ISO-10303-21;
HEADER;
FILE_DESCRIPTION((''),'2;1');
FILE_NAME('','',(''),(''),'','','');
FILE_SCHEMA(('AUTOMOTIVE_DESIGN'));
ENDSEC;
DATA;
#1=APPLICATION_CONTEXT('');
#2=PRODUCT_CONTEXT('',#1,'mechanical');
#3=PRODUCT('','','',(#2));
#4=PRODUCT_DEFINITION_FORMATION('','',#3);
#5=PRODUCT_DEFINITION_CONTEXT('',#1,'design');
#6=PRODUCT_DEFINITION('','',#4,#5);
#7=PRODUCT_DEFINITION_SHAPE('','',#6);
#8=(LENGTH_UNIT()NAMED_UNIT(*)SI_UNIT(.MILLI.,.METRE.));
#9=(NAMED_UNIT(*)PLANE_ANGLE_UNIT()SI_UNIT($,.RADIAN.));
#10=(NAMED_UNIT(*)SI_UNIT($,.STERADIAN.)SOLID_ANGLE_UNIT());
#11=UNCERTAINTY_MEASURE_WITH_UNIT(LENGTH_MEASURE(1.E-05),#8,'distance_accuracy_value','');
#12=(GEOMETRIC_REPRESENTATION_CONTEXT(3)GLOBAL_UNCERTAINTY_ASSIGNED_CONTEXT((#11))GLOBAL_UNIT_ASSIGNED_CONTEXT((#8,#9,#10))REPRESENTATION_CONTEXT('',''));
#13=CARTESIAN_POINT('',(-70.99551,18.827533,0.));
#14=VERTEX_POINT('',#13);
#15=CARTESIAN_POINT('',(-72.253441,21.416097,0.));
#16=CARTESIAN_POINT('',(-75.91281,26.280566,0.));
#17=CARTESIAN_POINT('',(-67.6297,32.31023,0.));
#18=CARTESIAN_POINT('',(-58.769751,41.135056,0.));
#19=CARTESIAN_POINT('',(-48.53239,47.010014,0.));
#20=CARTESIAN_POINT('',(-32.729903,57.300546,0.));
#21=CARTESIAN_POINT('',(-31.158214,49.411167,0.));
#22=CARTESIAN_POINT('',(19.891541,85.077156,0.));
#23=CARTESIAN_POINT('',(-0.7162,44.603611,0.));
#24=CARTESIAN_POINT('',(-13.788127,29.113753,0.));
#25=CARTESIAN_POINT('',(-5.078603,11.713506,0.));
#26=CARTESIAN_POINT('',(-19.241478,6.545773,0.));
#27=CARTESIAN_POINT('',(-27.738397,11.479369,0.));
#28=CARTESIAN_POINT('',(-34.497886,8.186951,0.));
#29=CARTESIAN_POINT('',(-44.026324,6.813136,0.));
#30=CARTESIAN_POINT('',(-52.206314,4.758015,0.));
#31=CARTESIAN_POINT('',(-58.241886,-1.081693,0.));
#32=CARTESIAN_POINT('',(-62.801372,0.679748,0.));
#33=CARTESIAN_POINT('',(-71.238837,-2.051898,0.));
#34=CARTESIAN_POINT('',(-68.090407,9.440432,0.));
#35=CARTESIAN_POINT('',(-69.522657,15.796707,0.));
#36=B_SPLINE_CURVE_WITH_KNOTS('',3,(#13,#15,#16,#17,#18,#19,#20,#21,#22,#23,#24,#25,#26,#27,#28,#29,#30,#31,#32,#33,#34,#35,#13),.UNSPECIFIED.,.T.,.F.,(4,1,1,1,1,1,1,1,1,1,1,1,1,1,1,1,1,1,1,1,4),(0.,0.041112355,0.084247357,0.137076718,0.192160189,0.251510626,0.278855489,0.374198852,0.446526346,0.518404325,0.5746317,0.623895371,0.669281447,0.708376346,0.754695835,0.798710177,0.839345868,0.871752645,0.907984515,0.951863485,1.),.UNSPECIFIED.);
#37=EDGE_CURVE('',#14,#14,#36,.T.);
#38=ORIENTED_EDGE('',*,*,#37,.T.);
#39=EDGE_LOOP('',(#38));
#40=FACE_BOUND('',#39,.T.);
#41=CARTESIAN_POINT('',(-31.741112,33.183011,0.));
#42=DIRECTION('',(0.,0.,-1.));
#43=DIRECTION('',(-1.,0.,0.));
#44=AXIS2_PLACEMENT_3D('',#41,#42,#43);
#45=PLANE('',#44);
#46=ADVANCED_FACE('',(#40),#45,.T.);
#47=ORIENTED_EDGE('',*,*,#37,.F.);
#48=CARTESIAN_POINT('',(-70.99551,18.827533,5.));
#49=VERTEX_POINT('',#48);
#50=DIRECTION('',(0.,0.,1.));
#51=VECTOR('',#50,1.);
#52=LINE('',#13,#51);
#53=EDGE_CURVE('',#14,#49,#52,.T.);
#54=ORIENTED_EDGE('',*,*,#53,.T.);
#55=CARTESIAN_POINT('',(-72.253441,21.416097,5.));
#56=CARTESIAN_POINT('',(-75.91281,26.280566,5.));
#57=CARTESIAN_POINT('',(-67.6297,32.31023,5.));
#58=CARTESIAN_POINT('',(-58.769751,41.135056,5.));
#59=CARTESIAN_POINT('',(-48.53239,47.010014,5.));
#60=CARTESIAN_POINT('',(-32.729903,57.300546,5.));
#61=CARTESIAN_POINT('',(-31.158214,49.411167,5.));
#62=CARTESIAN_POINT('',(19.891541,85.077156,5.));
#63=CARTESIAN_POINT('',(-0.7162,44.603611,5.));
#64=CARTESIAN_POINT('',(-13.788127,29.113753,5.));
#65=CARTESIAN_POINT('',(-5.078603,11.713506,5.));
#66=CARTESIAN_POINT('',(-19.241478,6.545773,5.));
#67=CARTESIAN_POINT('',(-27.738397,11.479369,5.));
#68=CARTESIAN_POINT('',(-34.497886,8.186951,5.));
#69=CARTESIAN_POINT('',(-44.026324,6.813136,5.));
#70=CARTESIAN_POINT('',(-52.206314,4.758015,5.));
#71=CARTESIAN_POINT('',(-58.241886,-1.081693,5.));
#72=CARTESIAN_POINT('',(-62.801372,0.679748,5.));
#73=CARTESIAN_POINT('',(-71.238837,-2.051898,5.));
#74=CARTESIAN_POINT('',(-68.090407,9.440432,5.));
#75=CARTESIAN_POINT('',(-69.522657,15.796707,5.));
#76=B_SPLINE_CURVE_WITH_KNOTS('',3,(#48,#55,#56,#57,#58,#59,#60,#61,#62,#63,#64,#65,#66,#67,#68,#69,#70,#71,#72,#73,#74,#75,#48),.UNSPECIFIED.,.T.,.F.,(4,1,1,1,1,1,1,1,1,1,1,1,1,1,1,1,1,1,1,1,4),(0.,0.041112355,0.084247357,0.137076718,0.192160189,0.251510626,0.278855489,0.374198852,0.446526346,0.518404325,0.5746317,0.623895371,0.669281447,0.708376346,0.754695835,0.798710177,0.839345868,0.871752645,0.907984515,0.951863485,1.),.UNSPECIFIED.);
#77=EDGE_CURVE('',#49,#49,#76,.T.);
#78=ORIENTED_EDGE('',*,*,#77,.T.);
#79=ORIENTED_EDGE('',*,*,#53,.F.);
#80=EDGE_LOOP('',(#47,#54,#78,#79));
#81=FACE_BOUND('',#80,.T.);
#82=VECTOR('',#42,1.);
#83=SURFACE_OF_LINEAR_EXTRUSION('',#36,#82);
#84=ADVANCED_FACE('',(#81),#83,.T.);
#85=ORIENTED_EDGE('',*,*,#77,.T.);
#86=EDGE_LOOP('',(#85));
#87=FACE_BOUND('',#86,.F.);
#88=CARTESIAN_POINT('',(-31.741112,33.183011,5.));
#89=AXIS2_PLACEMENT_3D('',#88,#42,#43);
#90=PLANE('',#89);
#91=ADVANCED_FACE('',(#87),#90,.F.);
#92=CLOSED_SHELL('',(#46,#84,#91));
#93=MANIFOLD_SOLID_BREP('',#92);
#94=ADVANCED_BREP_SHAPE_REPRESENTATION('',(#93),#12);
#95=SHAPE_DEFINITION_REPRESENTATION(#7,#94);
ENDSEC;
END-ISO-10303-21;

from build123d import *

# Parameters (mm, degrees)
F1_DEPTH = 5


with BuildPart() as f1:
    # F0 (on Top) → F1 (new body)
    with BuildSketch(Plane.XY):
        with BuildLine():
            add(Edge.make_bspline(
                [(-70.9955096245, 18.8275333494), (-72.2534413111, 21.4160967015), (-75.9128100438, 26.2805661387), (-67.6296995081, 32.3102301886), (-58.7697510297, 41.1350556616), (-48.5323901613, 47.0100143856), (-32.7299033741, 57.3005463161), (-31.1582142751, 49.4111671151), (19.8915412741, 85.0771557684), (-0.7162001506, 44.6036109987), (-13.7881274092, 29.1137526357), (-5.0786029507, 11.713505875), (-19.2414780118, 6.5457730833), (-27.7383967183, 11.4793693119), (-34.4978860179, 8.1869510397), (-44.0263240945, 6.8131363889), (-52.2063139591, 4.758014972), (-58.2418859088, -1.0816926518), (-62.8013718099, 0.6797477003), (-71.2388365278, -2.0518978262), (-68.0904072761, 9.4404321827), (-69.5226567995, 15.7967067265), (-70.9955096245, 18.8275333494)],
                knots=[0, 0, 0, 0, 0.0411123547, 0.0842473572, 0.1370767176, 0.1921601891, 0.2515106258, 0.2788554894, 0.3741988524, 0.446526346, 0.5184043253, 0.5746317004, 0.6238953708, 0.6692814475, 0.708376346, 0.7546958349, 0.7987101772, 0.8393458676, 0.871752645, 0.907984515, 0.9518634848, 1, 1, 1, 1], degree=3))
        make_face()
    extrude(amount=F1_DEPTH)


solid = f1.part
